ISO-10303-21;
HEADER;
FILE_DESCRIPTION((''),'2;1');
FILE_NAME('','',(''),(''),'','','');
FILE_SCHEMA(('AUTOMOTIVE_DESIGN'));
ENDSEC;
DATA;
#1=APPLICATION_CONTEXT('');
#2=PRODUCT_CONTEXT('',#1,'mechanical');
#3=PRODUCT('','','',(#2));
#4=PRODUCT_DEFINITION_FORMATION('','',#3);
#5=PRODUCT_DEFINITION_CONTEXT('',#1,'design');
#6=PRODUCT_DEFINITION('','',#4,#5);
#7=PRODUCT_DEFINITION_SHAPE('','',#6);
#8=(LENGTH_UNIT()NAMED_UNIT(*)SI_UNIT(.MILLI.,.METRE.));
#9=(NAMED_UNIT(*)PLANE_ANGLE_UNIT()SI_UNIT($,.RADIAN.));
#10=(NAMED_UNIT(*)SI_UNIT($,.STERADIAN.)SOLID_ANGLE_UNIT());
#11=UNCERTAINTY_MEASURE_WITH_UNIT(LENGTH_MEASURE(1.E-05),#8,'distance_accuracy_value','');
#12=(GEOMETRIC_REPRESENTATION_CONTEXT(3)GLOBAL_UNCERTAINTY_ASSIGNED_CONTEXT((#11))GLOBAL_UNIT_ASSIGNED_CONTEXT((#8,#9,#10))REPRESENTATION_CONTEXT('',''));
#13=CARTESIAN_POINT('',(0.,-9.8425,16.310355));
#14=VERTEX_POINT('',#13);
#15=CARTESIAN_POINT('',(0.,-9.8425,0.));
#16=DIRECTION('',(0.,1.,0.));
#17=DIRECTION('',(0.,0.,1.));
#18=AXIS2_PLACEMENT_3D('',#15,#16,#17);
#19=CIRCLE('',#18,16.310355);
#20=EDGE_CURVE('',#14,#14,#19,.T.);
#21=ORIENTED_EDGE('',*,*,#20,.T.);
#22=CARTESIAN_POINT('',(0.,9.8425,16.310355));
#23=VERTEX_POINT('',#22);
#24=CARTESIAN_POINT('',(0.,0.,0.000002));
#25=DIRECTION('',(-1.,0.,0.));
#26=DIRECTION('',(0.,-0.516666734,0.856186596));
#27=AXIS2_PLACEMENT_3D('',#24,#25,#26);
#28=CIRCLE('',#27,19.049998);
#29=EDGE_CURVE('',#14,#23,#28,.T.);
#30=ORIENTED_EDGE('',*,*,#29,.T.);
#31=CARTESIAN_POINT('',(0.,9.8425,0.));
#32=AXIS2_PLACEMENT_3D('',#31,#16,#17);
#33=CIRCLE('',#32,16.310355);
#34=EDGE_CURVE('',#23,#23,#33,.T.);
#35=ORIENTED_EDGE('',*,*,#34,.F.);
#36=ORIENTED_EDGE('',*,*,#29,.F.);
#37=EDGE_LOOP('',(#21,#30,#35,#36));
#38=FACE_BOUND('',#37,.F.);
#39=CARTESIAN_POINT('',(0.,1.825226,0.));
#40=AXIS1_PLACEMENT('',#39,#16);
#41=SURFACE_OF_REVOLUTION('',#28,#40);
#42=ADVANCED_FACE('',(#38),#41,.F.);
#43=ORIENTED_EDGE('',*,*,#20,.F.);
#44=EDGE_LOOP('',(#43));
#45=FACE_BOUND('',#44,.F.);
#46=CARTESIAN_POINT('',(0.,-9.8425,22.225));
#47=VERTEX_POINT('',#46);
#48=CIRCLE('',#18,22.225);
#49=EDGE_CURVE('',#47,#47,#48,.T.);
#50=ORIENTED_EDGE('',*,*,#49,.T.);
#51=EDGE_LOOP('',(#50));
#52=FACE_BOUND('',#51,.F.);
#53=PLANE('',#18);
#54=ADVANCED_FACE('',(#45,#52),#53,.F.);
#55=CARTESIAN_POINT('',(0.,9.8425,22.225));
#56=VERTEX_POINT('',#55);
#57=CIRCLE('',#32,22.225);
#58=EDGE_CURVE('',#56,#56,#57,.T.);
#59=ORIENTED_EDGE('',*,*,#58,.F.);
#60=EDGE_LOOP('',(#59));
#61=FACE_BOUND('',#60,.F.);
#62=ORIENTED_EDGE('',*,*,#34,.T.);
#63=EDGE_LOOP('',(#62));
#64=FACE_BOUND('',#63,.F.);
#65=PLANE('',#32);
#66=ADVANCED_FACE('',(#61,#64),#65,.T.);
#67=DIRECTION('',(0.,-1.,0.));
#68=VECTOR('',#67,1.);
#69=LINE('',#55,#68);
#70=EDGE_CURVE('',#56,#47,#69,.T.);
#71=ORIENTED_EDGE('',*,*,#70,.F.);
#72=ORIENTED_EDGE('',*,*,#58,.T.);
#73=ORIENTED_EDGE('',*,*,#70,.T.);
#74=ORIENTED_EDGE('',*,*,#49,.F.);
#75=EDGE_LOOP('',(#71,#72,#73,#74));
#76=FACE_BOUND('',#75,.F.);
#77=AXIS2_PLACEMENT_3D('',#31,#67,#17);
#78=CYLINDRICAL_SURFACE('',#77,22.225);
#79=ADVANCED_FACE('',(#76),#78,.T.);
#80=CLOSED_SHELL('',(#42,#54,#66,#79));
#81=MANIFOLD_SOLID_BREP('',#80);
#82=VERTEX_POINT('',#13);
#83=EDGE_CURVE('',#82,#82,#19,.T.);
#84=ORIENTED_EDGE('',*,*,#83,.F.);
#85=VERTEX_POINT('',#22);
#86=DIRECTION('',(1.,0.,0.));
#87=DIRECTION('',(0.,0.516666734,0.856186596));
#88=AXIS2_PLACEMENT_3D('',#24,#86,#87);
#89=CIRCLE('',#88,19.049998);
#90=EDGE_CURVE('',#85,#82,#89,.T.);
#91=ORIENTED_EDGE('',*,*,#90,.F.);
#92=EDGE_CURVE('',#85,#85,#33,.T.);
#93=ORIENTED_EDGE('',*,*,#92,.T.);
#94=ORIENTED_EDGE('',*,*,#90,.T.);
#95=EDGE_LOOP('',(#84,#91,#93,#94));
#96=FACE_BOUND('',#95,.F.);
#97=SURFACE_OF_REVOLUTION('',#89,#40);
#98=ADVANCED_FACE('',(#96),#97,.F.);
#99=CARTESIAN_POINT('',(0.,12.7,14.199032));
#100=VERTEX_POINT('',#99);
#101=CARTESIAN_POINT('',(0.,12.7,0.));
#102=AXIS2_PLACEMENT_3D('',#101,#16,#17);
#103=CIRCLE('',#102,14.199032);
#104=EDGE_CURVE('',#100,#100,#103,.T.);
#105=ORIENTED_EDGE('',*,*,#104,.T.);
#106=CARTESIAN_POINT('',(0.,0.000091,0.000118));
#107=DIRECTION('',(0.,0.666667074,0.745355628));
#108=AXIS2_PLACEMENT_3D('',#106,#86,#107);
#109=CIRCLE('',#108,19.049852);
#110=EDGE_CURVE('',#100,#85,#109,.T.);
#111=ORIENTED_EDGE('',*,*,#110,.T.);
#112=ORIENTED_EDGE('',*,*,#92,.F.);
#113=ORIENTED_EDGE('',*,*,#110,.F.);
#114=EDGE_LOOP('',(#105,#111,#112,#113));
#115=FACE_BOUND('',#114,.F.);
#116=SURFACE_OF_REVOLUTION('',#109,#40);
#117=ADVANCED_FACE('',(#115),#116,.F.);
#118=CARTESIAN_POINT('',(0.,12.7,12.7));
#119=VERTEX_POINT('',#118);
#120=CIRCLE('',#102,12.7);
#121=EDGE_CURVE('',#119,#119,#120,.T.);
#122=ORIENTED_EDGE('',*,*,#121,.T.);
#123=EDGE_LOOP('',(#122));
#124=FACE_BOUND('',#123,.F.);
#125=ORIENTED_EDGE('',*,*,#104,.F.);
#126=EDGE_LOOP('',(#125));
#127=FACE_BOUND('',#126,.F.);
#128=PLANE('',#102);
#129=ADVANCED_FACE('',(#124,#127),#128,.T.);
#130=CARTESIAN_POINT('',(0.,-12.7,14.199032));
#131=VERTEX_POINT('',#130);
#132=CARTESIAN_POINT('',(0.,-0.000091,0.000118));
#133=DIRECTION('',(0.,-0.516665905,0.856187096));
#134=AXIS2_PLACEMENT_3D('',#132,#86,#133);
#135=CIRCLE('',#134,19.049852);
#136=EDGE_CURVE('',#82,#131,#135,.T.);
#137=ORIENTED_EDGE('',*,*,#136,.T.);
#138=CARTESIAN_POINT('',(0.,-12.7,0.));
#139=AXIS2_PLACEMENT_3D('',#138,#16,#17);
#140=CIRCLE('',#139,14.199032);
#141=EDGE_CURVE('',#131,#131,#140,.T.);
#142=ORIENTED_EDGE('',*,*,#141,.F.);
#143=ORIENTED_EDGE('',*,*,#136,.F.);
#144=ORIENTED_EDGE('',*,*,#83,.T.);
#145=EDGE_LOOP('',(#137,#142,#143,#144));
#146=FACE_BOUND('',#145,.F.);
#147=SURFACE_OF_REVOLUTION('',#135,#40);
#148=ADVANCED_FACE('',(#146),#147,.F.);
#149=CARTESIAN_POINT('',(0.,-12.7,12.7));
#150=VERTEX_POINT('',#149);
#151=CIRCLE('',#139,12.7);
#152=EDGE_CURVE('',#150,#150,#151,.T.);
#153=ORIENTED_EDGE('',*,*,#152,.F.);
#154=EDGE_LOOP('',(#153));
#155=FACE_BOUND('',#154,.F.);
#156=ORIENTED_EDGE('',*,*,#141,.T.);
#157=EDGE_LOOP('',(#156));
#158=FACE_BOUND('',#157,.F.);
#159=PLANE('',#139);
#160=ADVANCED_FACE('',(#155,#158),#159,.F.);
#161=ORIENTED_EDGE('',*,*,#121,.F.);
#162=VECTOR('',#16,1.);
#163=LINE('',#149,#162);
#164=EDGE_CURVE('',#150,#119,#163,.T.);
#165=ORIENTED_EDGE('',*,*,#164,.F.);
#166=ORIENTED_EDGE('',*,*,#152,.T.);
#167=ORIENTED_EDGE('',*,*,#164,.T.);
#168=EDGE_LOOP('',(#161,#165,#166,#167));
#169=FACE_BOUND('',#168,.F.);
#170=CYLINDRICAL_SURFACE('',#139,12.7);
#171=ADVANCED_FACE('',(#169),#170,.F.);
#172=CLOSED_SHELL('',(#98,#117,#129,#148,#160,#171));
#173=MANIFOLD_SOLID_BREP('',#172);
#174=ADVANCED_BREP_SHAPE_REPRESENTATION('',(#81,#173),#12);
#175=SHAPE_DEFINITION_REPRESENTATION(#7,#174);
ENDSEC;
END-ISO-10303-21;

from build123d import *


with BuildPart() as f1:
    # F0 (on Right) → F1 (revolve)
    with BuildSketch(Plane.YZ):
        with BuildLine():
            Line((12.7, 12.7), (12.7, 14.199032))
            ThreePointArc((12.7, 14.199032), (11.320579, 15.321456), (9.8425, 16.310355))
            ThreePointArc((9.8425, 16.310355), (0, 19.05), (-9.8425, 16.310355))
            ThreePointArc((-9.8425, 16.310355), (-11.320579, 15.321456), (-12.7, 14.199032))
            Line((-12.7, 14.199032), (-12.7, 12.7))
            Line((-12.7, 12.7), (12.7, 12.7))
        make_face()
    revolve(axis=Axis((0, 1.825226, 0), (0, 1, 0)))


with BuildPart() as f2:
    # F0 (on Right) → F2 (revolve)
    with BuildSketch(Plane.YZ):
        with BuildLine():
            ThreePointArc((-9.8425, 16.310355), (0, 19.05), (9.8425, 16.310355))
            Line((9.8425, 16.310355), (9.8425, 22.225))
            Line((9.8425, 22.225), (-9.8425, 22.225))
            Line((-9.8425, 22.225), (-9.8425, 16.310355))
        make_face()
    revolve(axis=Axis((0, 1.825226, 0), (0, 1, 0)))


solid = Compound([f1.part, f2.part])
